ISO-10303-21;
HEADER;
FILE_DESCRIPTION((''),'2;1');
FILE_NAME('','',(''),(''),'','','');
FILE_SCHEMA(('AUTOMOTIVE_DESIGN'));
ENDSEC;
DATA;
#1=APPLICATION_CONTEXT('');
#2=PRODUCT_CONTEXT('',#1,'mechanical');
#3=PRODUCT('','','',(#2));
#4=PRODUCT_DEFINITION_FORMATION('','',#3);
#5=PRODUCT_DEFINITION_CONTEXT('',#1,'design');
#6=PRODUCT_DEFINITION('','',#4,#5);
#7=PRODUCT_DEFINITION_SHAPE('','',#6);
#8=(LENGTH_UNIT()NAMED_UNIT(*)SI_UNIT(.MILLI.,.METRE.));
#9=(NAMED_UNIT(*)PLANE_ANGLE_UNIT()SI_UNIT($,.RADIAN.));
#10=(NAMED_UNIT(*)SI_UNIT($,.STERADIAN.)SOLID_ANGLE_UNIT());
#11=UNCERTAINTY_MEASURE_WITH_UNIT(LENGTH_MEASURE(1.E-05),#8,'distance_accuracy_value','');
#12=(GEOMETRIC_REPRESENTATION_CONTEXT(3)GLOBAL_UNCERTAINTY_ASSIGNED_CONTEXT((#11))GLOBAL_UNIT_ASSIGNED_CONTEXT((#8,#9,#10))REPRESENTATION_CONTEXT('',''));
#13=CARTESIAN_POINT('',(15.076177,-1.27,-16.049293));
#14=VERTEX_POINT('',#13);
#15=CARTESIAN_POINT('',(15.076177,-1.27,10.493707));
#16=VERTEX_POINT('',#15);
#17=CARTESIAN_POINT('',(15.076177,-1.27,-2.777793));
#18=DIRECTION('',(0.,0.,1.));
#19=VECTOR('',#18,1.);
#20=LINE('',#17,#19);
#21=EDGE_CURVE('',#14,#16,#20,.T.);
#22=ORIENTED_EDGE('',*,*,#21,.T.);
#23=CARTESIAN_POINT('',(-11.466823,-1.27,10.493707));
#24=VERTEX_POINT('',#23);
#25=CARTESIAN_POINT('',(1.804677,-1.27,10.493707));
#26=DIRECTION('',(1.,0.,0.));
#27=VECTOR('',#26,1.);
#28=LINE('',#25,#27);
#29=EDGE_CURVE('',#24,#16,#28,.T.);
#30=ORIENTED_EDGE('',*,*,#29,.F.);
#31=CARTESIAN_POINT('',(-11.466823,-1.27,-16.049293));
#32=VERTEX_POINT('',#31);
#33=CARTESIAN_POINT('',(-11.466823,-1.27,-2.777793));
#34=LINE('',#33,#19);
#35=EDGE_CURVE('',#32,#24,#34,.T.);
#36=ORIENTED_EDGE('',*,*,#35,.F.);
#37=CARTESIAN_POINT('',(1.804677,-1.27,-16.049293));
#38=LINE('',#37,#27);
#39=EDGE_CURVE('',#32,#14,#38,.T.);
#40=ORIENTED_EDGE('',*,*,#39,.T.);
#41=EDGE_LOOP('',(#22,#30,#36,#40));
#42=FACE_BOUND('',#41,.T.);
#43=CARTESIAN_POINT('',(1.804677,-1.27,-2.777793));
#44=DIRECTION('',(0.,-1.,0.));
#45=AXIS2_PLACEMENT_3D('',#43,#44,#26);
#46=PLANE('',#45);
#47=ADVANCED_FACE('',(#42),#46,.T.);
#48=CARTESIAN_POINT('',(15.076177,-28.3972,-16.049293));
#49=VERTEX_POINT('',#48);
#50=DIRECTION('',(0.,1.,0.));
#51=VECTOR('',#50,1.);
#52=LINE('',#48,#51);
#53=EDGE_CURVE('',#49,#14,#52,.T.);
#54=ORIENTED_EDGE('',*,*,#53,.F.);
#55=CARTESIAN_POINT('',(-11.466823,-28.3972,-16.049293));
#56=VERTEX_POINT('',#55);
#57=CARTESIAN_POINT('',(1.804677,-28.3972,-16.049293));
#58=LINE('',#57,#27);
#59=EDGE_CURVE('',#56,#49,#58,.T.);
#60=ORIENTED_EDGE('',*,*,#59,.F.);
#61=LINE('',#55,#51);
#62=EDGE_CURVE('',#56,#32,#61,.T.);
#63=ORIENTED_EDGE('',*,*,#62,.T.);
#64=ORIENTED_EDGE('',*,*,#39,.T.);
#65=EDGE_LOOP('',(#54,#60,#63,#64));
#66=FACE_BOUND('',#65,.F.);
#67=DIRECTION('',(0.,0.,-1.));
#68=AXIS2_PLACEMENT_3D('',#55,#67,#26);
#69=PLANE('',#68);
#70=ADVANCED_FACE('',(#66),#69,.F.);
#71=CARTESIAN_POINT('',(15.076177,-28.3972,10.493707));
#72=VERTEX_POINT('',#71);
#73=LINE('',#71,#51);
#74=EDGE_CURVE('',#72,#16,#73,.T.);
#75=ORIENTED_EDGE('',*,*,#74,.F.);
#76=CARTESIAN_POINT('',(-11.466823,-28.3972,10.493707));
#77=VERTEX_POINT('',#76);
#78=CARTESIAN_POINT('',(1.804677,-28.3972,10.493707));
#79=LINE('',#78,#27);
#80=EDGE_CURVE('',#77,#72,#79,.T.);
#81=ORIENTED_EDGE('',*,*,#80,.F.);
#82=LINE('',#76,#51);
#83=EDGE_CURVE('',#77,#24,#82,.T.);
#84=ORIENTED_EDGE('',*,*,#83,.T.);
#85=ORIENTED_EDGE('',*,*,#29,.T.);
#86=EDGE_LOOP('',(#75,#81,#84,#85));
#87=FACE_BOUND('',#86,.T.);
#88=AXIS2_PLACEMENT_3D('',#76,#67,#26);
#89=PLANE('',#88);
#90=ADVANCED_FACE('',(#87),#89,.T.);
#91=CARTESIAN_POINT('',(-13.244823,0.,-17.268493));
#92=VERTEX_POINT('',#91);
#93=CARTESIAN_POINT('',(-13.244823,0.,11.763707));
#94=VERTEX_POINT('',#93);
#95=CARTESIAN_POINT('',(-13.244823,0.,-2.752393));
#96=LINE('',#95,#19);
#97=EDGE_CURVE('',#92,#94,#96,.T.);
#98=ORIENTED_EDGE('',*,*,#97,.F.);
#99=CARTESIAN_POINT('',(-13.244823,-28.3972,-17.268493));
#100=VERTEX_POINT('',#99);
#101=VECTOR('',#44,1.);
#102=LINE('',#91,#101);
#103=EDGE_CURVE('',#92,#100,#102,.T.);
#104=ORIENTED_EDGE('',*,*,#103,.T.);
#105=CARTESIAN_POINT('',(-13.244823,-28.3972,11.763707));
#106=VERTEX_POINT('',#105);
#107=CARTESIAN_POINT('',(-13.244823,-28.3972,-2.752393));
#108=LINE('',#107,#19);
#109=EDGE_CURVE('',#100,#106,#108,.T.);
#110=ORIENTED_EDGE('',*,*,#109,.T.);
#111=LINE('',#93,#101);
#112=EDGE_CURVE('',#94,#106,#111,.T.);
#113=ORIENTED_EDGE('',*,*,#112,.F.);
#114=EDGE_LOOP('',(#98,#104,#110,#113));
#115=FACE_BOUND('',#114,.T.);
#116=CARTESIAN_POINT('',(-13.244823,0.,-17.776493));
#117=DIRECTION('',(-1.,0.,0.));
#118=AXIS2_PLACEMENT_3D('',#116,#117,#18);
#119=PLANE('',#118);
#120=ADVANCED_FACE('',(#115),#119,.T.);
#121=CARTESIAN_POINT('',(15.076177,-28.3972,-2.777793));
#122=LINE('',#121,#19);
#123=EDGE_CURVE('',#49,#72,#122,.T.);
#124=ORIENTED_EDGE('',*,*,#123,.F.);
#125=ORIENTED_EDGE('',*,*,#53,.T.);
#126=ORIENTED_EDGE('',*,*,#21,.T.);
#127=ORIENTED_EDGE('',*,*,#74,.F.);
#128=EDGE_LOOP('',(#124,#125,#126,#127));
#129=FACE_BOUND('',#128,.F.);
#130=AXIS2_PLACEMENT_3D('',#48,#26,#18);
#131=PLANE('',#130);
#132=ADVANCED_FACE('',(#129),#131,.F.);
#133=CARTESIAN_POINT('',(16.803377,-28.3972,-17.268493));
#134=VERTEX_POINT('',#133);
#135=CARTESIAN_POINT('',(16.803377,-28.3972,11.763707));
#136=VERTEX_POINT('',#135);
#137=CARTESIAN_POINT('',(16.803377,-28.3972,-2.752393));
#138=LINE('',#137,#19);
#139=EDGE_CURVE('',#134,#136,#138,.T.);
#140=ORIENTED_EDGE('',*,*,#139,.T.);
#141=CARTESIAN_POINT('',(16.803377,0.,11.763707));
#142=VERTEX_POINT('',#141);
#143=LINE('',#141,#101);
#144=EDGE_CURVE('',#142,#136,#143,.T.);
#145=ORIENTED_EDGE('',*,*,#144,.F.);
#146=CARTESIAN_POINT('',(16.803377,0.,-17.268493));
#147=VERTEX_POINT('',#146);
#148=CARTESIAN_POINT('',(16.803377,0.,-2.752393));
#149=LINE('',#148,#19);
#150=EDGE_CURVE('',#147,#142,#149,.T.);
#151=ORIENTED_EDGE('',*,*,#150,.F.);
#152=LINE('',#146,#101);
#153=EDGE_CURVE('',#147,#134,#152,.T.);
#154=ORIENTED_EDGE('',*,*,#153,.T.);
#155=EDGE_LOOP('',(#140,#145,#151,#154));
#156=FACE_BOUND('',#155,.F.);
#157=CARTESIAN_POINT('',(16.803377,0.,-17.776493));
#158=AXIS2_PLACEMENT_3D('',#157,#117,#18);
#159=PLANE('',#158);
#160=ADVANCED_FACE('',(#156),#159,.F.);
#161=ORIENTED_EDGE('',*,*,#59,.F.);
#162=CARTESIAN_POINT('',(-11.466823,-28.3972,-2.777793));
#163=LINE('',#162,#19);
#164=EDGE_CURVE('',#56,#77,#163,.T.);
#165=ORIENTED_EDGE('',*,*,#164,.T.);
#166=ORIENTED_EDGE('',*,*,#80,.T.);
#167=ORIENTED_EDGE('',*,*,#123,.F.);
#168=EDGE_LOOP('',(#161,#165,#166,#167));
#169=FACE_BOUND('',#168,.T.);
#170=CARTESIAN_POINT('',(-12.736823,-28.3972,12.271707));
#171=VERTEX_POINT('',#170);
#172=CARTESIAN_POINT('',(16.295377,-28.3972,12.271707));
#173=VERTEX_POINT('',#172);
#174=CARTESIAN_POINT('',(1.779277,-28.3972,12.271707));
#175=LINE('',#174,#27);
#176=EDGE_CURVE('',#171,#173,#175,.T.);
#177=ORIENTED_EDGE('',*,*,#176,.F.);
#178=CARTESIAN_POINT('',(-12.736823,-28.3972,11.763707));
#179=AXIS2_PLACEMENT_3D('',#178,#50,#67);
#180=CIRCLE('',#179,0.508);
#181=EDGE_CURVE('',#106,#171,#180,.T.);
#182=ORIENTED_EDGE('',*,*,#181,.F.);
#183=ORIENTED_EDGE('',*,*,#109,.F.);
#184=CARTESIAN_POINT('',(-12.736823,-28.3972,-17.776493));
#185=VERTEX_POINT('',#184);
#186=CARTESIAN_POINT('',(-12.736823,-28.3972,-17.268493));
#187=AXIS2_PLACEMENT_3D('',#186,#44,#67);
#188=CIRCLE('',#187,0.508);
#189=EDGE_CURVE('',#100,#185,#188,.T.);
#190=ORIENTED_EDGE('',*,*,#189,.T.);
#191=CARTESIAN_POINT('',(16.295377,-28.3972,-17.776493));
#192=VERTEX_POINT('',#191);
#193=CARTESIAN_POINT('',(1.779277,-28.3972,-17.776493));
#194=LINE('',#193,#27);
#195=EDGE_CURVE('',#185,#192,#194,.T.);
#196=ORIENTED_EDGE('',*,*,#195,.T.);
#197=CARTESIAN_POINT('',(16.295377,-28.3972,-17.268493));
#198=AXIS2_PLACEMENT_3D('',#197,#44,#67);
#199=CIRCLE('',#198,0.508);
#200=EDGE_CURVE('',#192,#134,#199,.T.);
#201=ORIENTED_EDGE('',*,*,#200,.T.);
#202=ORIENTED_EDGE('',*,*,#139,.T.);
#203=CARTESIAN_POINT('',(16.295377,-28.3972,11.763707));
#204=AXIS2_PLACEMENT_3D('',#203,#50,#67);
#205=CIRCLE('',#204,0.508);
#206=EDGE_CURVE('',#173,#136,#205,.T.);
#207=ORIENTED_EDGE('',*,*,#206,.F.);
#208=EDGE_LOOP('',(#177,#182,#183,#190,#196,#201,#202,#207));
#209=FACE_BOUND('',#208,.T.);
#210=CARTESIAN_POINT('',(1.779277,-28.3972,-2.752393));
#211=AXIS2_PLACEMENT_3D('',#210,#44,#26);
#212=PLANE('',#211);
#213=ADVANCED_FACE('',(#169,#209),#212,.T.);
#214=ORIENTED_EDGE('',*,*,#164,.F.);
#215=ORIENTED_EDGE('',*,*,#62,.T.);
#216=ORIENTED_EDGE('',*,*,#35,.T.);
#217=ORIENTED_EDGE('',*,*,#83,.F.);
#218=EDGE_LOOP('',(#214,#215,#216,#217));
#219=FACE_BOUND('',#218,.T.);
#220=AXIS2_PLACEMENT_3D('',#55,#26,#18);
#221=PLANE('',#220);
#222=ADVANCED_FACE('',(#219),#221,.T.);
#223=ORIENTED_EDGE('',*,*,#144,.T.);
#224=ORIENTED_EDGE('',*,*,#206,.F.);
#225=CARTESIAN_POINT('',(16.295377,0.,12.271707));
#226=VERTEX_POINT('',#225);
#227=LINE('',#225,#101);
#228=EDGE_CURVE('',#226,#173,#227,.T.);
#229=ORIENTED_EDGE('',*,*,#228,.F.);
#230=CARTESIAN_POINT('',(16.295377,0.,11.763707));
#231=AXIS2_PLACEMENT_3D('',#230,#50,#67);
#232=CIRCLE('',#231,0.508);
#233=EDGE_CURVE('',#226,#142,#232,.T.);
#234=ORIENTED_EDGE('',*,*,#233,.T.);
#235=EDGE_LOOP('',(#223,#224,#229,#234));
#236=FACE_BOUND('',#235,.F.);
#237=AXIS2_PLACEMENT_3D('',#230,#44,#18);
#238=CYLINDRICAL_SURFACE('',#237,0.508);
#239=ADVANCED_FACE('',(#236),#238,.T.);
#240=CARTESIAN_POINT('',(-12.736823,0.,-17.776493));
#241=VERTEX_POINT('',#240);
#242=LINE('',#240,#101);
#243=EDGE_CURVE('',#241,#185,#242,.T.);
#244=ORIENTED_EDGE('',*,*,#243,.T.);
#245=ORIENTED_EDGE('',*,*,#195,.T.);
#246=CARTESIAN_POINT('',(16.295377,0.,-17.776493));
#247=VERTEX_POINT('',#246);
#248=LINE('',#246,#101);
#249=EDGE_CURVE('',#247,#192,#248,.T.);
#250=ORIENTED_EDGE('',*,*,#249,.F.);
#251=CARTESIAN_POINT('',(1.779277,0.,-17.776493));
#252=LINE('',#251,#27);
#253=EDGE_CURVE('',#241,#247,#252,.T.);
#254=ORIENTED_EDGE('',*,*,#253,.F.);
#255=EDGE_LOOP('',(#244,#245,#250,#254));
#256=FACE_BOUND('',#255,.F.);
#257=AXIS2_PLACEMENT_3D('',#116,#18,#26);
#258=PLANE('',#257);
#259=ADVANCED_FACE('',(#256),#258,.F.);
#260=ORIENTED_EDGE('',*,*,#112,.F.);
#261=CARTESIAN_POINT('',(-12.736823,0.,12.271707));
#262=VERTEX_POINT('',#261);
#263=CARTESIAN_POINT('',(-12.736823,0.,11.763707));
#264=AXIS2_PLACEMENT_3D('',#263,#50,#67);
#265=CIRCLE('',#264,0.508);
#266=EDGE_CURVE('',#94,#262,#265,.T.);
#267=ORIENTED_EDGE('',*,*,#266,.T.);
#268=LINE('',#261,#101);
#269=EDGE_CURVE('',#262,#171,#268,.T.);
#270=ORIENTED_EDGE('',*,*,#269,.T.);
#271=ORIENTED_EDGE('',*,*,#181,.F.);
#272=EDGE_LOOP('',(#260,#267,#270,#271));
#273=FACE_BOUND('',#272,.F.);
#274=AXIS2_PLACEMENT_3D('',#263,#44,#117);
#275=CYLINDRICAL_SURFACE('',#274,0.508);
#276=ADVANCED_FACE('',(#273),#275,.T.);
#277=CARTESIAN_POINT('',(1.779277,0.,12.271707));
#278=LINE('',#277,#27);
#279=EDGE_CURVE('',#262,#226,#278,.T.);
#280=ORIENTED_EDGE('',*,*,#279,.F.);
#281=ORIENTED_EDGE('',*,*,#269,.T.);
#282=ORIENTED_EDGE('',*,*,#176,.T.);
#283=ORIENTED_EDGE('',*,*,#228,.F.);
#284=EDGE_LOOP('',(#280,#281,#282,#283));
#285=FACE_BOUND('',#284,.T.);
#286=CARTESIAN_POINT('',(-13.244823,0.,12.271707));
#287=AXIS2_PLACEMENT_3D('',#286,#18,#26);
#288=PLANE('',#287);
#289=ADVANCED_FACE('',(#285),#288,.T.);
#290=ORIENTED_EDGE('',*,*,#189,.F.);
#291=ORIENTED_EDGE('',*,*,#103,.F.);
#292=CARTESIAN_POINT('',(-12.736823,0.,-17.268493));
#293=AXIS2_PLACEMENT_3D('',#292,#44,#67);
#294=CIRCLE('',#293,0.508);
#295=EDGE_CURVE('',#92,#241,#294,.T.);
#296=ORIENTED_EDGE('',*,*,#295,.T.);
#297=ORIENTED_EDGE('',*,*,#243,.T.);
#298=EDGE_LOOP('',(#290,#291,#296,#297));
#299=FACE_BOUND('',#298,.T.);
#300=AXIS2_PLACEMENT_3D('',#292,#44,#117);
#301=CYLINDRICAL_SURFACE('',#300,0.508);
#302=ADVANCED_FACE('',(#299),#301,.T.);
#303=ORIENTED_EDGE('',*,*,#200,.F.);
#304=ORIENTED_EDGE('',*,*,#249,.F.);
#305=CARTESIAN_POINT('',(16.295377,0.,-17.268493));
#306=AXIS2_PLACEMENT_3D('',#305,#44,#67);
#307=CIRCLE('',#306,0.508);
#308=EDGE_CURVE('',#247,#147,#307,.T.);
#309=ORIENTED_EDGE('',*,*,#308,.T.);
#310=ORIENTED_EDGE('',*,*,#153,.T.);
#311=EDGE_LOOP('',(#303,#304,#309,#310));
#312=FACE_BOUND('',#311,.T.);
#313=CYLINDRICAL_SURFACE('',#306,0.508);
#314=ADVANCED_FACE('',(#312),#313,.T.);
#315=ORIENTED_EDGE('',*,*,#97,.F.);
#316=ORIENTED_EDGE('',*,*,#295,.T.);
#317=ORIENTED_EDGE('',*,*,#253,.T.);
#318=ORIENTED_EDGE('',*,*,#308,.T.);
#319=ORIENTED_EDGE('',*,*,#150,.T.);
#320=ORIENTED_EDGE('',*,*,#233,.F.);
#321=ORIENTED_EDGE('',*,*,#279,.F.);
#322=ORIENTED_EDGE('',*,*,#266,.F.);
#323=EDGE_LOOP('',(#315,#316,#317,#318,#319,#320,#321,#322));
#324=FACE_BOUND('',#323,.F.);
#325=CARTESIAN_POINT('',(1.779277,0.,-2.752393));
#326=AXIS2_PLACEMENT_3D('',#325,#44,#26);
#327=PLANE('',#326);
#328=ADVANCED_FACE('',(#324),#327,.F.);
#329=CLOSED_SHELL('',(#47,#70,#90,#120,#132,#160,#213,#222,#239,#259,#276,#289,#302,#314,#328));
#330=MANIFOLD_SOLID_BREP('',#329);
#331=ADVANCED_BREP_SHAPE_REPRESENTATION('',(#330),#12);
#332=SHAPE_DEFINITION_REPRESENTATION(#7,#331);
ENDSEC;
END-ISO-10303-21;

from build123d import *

# Parameters (mm, degrees)
F0_W     = 30.0482
F0_H     = 30.0482
F1_DEPTH = 28.3972
F2_W     = 26.543
F2_H     = 26.543
F3_DEPTH = 27.1272
F4_R     = 0.508


with BuildPart() as f1:
    # F0 (on Front) → F1 (new body)
    with BuildSketch(Plane.XZ):
        with Locations((1.779277, -2.752393)):
            Rectangle(F0_W, F0_H)
    extrude(amount=F1_DEPTH)

    # F2 (on face) → F3 (cut)
    with BuildSketch(Plane.XZ.offset(28.3972)):
        with Locations((1.804677, -2.777793)):
            Rectangle(F2_W, F2_H)
    extrude(amount=-F3_DEPTH, mode=Mode.SUBTRACT)

    # F4
    f4_edges = [f1.edges().sort_by_distance(p)[0] for p in [
        (-13.244823, -14.1986, 12.271707),
        (-13.244823, -14.1986, -17.776493),
        (16.803377, -14.1986, 12.271707),
        (16.803377, -14.1986, -17.776493),
    ]]
    fillet(f4_edges, radius=F4_R)


solid = f1.part
